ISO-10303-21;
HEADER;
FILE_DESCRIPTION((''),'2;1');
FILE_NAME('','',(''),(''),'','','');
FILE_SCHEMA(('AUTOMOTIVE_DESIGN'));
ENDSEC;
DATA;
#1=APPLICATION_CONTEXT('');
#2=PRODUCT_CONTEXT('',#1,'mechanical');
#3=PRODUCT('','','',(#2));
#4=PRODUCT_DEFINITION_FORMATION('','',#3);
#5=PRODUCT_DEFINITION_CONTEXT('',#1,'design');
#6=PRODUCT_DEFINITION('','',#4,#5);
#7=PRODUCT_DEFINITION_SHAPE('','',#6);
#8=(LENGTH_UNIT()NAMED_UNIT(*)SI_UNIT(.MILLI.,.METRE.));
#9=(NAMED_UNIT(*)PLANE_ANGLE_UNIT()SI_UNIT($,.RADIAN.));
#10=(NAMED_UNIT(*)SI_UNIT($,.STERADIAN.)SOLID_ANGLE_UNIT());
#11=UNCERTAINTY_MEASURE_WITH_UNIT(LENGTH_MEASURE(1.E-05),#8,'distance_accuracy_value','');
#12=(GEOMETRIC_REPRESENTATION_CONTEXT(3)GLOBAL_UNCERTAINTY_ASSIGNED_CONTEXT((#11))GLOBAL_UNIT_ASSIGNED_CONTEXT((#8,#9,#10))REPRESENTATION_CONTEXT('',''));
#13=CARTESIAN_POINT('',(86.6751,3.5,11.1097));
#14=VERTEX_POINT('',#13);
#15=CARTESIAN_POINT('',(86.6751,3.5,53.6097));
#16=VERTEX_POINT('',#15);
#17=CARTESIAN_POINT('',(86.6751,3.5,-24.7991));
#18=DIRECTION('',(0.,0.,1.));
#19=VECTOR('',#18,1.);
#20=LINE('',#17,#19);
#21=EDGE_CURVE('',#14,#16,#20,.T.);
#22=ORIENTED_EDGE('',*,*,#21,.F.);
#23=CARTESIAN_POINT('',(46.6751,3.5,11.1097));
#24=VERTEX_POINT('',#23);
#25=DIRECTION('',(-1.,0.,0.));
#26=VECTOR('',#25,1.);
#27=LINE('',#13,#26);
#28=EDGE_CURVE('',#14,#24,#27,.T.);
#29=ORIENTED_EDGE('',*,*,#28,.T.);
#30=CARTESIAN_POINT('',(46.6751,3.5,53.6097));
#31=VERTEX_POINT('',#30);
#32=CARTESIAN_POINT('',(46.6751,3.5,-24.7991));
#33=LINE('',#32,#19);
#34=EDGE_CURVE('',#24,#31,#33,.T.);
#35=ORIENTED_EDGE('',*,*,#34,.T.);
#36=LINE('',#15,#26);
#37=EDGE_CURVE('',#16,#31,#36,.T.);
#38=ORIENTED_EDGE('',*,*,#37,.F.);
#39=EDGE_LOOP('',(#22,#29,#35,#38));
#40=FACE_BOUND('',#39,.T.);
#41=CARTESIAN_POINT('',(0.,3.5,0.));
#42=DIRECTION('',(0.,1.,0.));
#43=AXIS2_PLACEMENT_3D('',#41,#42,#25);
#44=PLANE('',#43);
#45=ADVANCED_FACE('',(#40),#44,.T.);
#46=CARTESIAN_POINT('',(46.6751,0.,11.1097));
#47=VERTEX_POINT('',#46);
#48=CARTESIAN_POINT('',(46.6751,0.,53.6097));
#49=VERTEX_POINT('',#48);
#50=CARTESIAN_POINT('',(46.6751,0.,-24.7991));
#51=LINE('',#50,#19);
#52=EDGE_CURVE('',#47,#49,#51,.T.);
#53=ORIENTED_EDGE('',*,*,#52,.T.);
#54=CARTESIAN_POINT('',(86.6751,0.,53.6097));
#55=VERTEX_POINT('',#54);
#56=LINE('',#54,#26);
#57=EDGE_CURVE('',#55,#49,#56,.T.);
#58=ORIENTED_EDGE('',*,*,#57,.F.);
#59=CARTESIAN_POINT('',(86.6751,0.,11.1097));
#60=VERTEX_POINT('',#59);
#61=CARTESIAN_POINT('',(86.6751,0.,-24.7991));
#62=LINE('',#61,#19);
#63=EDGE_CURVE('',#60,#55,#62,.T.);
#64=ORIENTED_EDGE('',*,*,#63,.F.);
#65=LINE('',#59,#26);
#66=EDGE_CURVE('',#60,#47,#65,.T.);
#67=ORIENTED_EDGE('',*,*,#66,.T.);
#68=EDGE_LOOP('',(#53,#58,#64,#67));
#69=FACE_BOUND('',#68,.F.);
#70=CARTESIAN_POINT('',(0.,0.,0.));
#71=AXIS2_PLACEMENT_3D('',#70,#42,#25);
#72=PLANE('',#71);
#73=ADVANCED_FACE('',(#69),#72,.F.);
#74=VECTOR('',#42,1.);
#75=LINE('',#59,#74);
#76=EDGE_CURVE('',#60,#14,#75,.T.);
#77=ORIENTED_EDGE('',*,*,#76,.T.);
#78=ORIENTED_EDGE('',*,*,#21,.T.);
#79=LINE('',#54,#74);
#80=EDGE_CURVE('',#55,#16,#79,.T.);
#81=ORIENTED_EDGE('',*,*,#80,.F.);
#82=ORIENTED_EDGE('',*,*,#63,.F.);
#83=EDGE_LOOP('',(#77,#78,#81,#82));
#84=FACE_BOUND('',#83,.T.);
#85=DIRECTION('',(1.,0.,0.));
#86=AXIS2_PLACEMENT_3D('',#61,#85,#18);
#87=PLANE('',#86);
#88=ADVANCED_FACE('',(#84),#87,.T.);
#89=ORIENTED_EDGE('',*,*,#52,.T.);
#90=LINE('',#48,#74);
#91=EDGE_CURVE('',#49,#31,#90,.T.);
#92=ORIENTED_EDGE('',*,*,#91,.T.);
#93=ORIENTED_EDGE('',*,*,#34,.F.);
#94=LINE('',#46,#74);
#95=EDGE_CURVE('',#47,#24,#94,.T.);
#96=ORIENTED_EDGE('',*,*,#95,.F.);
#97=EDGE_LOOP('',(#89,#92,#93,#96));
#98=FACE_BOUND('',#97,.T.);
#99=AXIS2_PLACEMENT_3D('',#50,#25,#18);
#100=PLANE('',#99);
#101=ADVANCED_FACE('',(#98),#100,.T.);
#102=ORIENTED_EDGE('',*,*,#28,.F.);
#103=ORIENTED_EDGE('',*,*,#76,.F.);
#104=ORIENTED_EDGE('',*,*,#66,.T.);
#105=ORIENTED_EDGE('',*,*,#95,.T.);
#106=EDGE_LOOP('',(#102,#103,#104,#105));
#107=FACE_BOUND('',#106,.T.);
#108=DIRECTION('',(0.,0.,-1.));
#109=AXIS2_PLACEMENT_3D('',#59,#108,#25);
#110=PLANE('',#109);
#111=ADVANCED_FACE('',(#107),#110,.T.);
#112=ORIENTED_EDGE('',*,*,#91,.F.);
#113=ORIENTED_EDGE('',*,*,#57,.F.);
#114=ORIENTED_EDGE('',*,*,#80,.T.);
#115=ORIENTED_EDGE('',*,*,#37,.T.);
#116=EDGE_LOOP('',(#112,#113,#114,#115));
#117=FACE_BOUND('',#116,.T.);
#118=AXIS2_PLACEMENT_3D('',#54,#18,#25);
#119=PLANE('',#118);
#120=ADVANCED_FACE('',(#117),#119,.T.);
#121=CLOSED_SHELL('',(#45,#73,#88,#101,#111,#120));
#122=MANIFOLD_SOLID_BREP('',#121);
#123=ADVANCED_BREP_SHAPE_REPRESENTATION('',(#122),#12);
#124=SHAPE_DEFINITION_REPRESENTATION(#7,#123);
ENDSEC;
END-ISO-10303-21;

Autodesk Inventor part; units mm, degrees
ref_plane "YZ Plane" through (0, 0, 0) normal (1, 0, 0) x (0, 1, 0)
sketch "Sketch1" plane through (0, 0, 0) normal (0, 1, 0) x (-1, 0, 0)
  line L0 (61.5114, -24.7991) -> (-86.6751, -24.7991)
  line L1 (-86.6751, -24.7991) -> (-86.6751, 53.6097)
  line L2 (-86.6751, 53.6097) -> (61.5114, 53.6097)
  line L3 (61.5114, 53.6097) -> (61.5114, -24.7991)
  point P0 (0, 0)
extrude "Extrusion1" add sketch "Sketch1" along normal blind 3.5
sketch "Sketch2" plane through (-61.5114, 0, -24.7991) normal (-1, 0, 0) x (0, 0, 1)
  line L0 (0, 0) -> (78.4088, 0) projected
  line L1 (78.4088, 0) -> (78.4088, 3.5) projected
  line L2 (0, 3.5) -> (78.4088, 3.5) projected
  line L3 (0, 0) -> (0, 3.5) projected
  point P0 (24.7991, 0)
ref_plane "Work Plane1" through (46.6751, -27, 13.6097) normal (-1, 0, 0) x (0, 0, 1)
extrude "Extrusion2" cut sketch "Sketch2" against normal up to surface (108.1865 mm away)
sketch "Sketch3" plane through (86.6751, 0, -24.7991) normal (0, 0, -1) x (-1, 0, 0)
  line L0 (40, 0) -> (40, 3.5) projected
  line L1 (0, 3.5) -> (40, 3.5) projected
  line L2 (0, 0) -> (0, 3.5) projected
  line L3 (0, 0) -> (40, 0) projected
  point P0 (86.6751, 0)
ref_plane "Work Plane2" through (49.1751, -3, 11.1097) normal (0, 0, -1) x (0, 1, 0)
extrude "Extrusion3" cut sketch "Sketch3" against normal up to surface (35.9088 mm away)
sketch "Sketch4" plane through (0, 3.5, 0) normal (0, 1, 0) x (1, 0, 0)
  line L0 (46.6751, -53.6097) -> (86.6751, -53.6097) projected
  point P0 (0, 0)
properties part number "BASE"
